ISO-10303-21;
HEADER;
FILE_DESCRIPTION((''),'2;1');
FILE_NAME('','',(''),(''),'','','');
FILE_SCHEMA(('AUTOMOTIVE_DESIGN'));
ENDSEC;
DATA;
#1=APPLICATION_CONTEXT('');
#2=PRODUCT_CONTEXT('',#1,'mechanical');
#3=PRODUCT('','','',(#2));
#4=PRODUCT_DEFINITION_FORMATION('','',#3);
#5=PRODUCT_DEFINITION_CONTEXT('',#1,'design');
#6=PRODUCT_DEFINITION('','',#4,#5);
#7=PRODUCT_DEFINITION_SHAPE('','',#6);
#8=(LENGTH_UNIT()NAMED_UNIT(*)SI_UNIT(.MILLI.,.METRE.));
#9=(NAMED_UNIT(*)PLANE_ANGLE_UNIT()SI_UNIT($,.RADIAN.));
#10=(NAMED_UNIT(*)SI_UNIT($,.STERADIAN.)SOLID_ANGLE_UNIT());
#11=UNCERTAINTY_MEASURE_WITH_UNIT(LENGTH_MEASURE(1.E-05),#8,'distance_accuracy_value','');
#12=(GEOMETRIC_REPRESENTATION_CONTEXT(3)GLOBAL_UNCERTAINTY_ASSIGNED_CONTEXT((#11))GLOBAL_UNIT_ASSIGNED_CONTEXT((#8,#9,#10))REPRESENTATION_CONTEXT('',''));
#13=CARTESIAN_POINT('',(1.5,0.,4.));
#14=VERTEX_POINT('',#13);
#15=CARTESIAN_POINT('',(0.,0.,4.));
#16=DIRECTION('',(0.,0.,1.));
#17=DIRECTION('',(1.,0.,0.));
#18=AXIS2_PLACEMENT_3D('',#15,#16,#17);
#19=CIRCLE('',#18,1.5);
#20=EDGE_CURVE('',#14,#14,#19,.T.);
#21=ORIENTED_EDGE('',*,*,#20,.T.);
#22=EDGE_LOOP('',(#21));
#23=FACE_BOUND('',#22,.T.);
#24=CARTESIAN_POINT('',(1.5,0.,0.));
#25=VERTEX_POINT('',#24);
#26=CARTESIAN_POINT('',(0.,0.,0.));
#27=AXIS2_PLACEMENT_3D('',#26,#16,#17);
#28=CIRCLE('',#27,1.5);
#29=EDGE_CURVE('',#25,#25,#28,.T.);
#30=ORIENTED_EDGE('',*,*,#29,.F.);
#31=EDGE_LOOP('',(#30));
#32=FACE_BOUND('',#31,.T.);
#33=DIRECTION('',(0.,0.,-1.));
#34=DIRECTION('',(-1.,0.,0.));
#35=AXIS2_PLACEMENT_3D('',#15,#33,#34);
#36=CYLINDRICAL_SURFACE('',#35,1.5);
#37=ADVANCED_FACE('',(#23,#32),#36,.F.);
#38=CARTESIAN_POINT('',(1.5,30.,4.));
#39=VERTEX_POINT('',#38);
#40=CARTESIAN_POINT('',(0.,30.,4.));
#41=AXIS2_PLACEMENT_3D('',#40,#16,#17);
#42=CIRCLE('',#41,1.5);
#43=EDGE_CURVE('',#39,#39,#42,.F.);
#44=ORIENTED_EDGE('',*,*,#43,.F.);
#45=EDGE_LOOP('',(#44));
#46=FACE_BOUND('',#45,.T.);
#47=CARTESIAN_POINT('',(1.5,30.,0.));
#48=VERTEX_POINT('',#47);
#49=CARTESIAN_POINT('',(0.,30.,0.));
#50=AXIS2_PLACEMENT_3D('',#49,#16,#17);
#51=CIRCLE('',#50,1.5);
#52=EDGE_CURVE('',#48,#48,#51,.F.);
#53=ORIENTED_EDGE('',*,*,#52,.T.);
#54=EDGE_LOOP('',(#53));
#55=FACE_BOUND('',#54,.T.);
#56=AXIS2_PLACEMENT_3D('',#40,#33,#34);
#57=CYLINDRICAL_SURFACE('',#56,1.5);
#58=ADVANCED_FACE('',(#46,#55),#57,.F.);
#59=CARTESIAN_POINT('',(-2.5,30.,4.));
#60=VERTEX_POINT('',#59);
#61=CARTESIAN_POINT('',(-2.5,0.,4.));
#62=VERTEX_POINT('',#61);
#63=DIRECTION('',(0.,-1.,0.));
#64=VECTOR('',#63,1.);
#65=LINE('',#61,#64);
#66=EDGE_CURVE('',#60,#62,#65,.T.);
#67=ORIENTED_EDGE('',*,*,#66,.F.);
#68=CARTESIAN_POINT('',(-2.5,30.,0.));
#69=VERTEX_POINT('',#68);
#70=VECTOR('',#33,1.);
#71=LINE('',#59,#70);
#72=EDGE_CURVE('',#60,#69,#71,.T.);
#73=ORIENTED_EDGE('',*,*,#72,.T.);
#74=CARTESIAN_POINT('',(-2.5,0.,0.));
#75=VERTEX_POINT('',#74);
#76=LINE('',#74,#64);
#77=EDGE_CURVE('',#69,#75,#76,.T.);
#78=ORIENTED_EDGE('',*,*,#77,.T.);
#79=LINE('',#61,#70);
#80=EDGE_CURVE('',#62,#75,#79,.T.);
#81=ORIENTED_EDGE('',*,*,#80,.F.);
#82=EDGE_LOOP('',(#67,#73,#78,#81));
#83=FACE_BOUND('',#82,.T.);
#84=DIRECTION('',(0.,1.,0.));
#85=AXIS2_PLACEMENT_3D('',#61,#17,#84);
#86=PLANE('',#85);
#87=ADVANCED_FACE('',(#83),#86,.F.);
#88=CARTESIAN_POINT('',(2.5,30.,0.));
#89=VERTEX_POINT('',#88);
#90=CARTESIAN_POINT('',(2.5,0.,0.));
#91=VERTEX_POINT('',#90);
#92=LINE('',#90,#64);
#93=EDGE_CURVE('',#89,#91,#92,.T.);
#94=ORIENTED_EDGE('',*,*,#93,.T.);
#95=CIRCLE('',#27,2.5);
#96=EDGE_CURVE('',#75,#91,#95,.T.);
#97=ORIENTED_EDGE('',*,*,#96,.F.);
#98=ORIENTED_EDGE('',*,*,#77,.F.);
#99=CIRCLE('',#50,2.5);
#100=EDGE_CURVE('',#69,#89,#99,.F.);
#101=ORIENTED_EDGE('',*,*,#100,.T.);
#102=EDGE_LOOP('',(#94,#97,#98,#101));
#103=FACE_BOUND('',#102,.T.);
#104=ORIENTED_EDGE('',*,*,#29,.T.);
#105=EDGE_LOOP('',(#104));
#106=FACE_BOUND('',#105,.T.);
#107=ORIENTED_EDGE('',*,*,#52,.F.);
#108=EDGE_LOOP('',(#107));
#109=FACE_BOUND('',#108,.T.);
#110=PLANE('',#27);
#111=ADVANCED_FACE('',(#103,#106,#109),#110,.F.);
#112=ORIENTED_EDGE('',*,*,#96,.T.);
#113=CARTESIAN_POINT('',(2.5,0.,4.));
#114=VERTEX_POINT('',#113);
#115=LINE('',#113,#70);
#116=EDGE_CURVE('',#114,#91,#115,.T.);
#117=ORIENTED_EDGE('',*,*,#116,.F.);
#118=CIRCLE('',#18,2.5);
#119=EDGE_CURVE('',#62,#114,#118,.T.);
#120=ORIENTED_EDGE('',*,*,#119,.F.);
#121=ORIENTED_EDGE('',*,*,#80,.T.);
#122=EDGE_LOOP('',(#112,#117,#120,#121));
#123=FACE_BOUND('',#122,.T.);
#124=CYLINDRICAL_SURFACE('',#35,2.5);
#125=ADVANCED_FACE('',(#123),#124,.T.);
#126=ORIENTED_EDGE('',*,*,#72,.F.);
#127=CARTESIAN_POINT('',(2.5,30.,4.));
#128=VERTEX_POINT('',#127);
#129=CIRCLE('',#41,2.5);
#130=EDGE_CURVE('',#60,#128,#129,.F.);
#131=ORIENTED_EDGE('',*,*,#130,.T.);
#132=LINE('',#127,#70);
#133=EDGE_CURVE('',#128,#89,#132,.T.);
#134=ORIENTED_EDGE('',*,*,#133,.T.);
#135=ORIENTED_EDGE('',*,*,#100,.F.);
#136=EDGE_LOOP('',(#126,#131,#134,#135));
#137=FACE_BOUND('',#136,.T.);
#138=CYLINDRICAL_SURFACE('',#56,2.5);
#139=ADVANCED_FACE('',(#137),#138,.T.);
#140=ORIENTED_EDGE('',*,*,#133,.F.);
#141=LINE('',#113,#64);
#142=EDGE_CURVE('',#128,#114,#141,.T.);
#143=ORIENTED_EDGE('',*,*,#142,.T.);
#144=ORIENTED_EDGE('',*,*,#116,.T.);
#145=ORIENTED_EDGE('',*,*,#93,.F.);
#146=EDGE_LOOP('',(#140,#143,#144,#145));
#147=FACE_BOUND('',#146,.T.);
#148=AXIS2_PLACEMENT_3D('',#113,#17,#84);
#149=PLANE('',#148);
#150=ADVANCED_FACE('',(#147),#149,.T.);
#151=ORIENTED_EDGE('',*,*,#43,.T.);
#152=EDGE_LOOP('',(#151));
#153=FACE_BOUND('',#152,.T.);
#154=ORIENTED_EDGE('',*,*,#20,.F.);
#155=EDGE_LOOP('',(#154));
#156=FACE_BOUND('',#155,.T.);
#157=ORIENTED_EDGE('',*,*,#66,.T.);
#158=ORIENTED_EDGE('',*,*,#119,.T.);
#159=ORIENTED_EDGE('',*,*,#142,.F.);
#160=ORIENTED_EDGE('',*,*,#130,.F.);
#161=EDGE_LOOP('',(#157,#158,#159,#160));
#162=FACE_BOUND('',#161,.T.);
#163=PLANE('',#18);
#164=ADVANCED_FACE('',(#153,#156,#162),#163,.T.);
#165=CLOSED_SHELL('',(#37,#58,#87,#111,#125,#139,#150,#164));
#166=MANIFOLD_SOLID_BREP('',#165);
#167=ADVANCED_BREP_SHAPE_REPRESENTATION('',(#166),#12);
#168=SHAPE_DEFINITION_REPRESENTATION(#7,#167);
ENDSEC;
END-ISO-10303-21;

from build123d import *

# Parameters (mm, degrees)
SKIZZE1_R                       = 2.5
SKIZZE1_R_2                     = 1.5
AUFSATZ_LINEAR_AUSTRAGEN1_DEPTH = 4


with BuildPart() as part:
    # Skizze1 → Aufsatz-Linear austragen1 (new body)
    # profile 1 of 3: a face of its own
    with BuildSketch(Plane.XY):
        with Locations((0, 30)):
            Circle(SKIZZE1_R)
        with Locations((0, 30)):
            Circle(SKIZZE1_R_2, mode=Mode.SUBTRACT)
    # profile 2 of 3: a face of its own
    with BuildSketch(Plane.XY):
        with BuildLine():
            ThreePointArc((2.5, 30), (0, 27.5), (-2.5, 30))
            Line((-2.5, 30), (-2.5, 0))
            ThreePointArc((-2.5, 0), (0, 2.5), (2.5, 0))
            Line((2.5, 0), (2.5, 30))
        make_face()
    # profile 3 of 3: a face of its own
    with BuildSketch(Plane.XY):
        Circle(SKIZZE1_R)
        Circle(SKIZZE1_R_2, mode=Mode.SUBTRACT)
    extrude(amount=AUFSATZ_LINEAR_AUSTRAGEN1_DEPTH)


solid = part.part
